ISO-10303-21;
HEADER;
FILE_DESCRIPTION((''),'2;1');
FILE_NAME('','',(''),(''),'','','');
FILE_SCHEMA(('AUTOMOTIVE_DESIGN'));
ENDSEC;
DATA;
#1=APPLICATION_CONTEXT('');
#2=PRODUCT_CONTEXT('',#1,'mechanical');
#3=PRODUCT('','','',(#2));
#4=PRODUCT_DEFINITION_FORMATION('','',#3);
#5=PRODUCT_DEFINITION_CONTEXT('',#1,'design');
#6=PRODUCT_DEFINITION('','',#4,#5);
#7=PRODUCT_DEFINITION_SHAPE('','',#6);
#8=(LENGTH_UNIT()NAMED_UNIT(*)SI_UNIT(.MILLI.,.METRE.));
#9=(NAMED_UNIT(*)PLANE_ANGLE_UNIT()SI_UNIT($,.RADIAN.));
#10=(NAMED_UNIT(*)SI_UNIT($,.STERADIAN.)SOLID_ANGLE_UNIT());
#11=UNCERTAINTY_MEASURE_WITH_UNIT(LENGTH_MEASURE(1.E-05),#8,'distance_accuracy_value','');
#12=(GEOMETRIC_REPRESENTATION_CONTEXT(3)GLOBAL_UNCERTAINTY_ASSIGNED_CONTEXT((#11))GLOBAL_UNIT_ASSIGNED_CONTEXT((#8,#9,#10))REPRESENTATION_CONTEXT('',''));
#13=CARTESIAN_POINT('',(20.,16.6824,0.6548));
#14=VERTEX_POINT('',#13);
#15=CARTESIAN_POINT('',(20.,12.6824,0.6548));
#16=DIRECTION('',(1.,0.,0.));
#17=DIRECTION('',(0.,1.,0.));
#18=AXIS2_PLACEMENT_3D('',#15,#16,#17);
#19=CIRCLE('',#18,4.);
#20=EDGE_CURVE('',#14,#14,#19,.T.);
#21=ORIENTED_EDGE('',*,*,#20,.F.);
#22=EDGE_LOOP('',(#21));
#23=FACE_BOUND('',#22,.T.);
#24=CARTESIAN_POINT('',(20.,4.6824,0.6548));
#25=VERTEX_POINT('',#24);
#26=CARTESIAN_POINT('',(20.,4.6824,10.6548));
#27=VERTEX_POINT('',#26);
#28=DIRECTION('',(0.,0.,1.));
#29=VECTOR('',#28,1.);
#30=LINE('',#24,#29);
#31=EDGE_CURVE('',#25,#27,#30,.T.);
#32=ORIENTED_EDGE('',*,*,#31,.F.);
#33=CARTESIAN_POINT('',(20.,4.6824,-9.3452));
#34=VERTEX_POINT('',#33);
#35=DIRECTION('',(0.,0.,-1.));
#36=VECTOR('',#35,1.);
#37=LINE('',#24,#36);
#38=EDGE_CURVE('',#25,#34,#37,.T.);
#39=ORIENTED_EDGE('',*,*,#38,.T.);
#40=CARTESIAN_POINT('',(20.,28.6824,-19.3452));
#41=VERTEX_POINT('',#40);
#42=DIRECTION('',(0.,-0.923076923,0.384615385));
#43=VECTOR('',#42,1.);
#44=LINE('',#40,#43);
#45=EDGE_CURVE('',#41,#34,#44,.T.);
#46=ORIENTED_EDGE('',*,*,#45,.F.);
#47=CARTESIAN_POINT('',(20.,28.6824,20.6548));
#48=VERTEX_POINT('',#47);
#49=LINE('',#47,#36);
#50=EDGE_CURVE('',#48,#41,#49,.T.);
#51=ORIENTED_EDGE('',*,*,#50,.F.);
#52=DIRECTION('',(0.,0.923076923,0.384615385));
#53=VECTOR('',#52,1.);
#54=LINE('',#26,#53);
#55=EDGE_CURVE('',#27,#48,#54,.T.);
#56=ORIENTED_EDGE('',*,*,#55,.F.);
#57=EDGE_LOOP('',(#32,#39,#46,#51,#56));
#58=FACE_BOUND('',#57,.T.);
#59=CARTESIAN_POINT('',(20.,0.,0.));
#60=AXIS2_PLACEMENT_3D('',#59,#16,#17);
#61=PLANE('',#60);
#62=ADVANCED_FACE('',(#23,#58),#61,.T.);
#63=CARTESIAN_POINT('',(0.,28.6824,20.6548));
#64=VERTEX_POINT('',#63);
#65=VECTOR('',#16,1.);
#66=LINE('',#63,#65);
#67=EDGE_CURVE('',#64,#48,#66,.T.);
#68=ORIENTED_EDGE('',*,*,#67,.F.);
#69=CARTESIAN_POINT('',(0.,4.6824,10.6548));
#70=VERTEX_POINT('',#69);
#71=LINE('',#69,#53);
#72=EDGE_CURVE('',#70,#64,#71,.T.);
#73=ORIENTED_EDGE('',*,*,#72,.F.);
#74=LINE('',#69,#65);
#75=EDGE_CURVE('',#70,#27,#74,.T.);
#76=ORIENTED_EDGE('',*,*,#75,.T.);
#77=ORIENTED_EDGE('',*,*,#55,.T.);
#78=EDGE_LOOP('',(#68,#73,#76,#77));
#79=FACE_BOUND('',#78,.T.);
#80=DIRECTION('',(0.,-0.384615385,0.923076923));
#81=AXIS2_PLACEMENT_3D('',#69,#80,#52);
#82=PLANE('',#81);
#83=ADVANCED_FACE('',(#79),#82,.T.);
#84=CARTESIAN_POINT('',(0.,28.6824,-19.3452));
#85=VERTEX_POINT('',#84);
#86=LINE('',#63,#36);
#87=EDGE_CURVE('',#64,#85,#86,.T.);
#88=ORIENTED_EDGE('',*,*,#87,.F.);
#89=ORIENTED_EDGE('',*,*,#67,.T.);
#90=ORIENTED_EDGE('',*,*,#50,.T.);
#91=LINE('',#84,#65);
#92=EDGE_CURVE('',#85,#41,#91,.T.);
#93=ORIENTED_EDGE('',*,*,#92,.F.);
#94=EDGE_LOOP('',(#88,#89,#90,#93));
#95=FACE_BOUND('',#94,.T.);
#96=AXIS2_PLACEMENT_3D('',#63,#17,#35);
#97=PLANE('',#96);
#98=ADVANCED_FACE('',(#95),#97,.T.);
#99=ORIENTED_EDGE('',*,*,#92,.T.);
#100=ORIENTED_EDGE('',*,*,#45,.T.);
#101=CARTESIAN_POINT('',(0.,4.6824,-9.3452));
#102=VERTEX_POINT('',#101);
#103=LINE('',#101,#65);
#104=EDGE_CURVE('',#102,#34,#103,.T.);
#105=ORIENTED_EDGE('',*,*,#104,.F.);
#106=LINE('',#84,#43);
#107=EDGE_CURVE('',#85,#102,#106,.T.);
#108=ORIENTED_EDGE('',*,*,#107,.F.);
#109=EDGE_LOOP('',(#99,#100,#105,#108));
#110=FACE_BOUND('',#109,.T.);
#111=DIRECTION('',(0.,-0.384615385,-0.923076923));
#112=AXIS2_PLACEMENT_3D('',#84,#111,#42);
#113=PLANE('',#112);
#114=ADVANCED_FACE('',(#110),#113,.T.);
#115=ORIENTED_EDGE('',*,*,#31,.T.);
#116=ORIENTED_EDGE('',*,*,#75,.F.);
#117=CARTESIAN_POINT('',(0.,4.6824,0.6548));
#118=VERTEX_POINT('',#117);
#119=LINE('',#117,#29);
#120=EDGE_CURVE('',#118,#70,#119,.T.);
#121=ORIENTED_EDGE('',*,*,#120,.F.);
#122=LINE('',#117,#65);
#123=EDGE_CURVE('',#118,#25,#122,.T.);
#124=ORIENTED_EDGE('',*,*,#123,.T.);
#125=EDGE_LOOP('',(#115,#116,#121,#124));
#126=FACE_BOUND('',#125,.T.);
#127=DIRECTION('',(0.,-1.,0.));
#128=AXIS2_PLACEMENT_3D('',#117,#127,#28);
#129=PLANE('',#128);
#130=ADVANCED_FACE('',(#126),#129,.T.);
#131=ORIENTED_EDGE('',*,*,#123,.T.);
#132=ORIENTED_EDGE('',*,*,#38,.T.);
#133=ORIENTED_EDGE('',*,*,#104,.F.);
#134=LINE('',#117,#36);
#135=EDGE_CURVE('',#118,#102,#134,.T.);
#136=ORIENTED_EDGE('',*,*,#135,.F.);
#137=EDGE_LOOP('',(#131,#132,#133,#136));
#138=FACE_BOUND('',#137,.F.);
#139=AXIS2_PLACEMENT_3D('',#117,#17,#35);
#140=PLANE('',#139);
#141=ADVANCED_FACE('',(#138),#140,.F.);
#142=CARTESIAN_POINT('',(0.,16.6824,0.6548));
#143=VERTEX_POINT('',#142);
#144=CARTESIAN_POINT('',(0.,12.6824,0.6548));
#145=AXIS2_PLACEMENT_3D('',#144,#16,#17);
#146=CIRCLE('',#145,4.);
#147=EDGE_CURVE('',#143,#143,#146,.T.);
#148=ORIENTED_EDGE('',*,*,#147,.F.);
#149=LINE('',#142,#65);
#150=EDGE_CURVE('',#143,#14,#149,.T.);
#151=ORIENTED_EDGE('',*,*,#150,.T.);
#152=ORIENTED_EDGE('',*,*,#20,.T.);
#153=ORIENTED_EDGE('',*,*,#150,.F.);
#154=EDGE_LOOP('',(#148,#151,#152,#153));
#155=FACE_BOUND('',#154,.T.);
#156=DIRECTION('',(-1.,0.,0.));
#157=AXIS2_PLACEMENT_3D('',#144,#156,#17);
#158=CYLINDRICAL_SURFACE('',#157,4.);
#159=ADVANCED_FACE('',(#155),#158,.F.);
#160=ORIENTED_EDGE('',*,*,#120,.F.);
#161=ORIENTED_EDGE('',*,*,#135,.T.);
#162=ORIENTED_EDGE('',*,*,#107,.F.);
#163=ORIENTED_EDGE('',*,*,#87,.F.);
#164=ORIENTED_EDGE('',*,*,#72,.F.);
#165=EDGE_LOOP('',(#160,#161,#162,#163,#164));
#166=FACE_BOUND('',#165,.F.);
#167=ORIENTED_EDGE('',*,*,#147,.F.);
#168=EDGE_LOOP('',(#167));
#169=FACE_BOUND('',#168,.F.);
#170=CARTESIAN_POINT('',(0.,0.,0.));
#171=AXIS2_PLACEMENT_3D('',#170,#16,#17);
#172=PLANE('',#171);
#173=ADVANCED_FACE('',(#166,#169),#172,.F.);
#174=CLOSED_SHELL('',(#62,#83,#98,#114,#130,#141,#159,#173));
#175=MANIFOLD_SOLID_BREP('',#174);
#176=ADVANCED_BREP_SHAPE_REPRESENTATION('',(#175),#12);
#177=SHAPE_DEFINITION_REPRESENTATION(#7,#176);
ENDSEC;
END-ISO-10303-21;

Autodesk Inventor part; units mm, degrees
ref_plane "YZ Plane" through (0, 0, 0) normal (1, 0, 0) x (0, 1, 0)
ref_plane "XZ Plane" through (0, 0, 0) normal (0, 1, 0) x (-1, 0, 0)
ref_plane "XY Plane" through (0, 0, 0) normal (0, 0, 1) x (1, 0, 0)
sketch "Эскиз1" plane through (0, 0, 0) normal (1, 0, 0) x (0, 1, 0)
  line L0 (28.6824, 20.6548) -> (28.6824, -19.3452)
  line L1 (28.6824, -19.3452) -> (28.6824, 20.6548)
  line L2 (4.6824, 0.6548) -> (4.6824, 10.6548)
  line L3 (4.6824, 0.6548) -> (4.6824, -9.3452)
  line L4 (28.6824, -19.3452) -> (4.6824, -9.3452)
  line L5 (4.6824, 10.6548) -> (28.6824, 20.6548)
  circle A0 centre (12.6824, 0.6548) radius 4
  dimension "d0" = 40
  dimension "d1" = 10
  dimension "d2" = 10
  dimension "d3" = 8
extrude "Выдавливание1" add sketch "Эскиз1" along normal blind 20
properties part number "Задание номер 2"
